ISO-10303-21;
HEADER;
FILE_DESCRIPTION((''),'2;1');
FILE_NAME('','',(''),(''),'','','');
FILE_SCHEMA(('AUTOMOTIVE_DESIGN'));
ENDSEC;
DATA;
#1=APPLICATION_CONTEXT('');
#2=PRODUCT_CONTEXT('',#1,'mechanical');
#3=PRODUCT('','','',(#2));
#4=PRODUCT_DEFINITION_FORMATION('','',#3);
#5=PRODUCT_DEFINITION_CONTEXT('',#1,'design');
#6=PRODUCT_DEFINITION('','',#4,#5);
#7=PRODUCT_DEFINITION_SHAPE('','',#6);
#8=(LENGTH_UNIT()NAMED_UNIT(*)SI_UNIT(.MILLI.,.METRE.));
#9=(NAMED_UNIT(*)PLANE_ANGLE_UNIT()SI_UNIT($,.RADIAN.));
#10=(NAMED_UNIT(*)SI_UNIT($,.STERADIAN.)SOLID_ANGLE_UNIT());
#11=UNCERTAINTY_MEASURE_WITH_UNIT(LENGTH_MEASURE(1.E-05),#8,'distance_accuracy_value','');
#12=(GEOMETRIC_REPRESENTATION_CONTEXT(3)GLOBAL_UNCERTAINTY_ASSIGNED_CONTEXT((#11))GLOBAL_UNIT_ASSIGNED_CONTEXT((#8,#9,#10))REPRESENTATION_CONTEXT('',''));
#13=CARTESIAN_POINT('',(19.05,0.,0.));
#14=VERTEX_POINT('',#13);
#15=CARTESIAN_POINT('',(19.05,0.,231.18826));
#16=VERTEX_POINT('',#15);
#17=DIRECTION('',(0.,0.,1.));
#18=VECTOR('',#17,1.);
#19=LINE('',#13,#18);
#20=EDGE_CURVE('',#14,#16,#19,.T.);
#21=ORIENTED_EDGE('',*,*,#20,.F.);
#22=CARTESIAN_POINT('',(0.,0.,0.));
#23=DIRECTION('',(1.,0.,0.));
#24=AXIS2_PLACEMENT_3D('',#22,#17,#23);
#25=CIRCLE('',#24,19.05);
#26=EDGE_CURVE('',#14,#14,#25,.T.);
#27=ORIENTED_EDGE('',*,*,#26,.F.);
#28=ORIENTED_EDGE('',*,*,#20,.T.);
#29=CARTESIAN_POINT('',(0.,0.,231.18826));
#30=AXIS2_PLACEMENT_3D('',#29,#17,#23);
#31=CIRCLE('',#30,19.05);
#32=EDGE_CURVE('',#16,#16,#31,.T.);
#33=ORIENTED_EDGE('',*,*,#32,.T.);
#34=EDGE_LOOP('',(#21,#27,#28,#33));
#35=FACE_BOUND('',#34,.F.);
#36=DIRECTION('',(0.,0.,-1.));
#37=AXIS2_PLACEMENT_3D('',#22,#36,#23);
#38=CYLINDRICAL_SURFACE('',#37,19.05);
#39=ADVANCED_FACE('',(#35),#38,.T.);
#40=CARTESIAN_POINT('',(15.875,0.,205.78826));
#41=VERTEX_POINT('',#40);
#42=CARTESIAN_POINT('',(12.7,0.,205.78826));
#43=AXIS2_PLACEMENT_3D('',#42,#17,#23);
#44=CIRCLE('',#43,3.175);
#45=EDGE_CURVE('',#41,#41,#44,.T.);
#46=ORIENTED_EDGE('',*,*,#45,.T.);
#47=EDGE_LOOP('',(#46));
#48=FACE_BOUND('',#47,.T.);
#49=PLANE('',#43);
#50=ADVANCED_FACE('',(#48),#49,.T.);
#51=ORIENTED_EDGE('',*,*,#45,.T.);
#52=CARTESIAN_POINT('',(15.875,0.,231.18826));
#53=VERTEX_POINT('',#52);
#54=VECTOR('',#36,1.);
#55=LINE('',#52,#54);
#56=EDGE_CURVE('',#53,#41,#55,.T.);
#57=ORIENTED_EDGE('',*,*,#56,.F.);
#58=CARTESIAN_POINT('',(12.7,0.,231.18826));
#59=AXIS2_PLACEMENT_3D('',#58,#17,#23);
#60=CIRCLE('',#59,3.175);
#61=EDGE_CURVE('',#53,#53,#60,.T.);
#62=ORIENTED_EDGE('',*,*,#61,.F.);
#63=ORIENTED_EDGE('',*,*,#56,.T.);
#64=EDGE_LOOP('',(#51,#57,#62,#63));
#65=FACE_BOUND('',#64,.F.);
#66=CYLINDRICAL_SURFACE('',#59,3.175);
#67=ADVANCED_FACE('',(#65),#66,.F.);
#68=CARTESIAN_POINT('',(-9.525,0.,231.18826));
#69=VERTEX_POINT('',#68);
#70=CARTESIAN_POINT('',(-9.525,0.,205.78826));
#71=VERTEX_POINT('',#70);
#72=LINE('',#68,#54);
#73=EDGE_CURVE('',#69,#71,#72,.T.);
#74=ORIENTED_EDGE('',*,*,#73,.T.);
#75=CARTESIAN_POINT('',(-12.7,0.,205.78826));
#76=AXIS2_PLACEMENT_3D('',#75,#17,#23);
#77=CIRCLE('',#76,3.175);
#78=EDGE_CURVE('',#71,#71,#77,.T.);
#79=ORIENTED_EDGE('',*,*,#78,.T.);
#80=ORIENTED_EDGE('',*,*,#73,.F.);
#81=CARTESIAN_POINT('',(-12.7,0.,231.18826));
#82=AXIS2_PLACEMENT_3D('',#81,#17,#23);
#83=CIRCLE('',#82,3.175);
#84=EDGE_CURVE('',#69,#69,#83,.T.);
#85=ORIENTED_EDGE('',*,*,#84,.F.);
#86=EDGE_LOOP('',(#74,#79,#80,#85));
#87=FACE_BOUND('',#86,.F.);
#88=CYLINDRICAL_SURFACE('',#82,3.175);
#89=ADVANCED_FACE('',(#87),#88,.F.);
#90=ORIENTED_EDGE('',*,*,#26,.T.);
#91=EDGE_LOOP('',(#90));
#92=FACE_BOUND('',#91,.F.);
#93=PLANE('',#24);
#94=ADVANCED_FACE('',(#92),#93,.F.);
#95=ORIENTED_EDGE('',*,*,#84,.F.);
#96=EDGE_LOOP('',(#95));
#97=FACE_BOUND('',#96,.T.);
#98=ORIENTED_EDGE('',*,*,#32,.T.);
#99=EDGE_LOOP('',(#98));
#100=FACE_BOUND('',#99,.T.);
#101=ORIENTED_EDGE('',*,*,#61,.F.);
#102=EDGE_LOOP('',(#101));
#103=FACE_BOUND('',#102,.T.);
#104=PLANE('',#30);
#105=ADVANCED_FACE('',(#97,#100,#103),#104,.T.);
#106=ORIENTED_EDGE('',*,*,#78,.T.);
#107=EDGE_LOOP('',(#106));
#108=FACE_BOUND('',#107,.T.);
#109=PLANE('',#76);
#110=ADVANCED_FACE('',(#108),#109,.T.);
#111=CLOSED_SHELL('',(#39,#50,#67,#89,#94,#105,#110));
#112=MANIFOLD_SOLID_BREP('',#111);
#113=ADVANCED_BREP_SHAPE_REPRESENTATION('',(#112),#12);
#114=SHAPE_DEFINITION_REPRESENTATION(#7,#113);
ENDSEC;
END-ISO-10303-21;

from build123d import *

# Parameters (mm, degrees)
F0_R     = 19.05
F1_DEPTH = 231.18826
F3_R     = 3.175
F4_DEPTH = 25.4


with BuildPart() as f1:
    # F0 (on Top) → F1 (new body)
    with BuildSketch(Plane.XY):
        Circle(F0_R)
    extrude(amount=F1_DEPTH)

    # F3 (on face) → F4 (cut)
    with BuildSketch(Plane.XY.offset(231.18826)):
        with Locations((-12.7, 0)):
            Circle(F3_R)
        with Locations((12.7, 0)):
            Circle(F3_R)
    extrude(amount=-F4_DEPTH, mode=Mode.SUBTRACT)


solid = f1.part
